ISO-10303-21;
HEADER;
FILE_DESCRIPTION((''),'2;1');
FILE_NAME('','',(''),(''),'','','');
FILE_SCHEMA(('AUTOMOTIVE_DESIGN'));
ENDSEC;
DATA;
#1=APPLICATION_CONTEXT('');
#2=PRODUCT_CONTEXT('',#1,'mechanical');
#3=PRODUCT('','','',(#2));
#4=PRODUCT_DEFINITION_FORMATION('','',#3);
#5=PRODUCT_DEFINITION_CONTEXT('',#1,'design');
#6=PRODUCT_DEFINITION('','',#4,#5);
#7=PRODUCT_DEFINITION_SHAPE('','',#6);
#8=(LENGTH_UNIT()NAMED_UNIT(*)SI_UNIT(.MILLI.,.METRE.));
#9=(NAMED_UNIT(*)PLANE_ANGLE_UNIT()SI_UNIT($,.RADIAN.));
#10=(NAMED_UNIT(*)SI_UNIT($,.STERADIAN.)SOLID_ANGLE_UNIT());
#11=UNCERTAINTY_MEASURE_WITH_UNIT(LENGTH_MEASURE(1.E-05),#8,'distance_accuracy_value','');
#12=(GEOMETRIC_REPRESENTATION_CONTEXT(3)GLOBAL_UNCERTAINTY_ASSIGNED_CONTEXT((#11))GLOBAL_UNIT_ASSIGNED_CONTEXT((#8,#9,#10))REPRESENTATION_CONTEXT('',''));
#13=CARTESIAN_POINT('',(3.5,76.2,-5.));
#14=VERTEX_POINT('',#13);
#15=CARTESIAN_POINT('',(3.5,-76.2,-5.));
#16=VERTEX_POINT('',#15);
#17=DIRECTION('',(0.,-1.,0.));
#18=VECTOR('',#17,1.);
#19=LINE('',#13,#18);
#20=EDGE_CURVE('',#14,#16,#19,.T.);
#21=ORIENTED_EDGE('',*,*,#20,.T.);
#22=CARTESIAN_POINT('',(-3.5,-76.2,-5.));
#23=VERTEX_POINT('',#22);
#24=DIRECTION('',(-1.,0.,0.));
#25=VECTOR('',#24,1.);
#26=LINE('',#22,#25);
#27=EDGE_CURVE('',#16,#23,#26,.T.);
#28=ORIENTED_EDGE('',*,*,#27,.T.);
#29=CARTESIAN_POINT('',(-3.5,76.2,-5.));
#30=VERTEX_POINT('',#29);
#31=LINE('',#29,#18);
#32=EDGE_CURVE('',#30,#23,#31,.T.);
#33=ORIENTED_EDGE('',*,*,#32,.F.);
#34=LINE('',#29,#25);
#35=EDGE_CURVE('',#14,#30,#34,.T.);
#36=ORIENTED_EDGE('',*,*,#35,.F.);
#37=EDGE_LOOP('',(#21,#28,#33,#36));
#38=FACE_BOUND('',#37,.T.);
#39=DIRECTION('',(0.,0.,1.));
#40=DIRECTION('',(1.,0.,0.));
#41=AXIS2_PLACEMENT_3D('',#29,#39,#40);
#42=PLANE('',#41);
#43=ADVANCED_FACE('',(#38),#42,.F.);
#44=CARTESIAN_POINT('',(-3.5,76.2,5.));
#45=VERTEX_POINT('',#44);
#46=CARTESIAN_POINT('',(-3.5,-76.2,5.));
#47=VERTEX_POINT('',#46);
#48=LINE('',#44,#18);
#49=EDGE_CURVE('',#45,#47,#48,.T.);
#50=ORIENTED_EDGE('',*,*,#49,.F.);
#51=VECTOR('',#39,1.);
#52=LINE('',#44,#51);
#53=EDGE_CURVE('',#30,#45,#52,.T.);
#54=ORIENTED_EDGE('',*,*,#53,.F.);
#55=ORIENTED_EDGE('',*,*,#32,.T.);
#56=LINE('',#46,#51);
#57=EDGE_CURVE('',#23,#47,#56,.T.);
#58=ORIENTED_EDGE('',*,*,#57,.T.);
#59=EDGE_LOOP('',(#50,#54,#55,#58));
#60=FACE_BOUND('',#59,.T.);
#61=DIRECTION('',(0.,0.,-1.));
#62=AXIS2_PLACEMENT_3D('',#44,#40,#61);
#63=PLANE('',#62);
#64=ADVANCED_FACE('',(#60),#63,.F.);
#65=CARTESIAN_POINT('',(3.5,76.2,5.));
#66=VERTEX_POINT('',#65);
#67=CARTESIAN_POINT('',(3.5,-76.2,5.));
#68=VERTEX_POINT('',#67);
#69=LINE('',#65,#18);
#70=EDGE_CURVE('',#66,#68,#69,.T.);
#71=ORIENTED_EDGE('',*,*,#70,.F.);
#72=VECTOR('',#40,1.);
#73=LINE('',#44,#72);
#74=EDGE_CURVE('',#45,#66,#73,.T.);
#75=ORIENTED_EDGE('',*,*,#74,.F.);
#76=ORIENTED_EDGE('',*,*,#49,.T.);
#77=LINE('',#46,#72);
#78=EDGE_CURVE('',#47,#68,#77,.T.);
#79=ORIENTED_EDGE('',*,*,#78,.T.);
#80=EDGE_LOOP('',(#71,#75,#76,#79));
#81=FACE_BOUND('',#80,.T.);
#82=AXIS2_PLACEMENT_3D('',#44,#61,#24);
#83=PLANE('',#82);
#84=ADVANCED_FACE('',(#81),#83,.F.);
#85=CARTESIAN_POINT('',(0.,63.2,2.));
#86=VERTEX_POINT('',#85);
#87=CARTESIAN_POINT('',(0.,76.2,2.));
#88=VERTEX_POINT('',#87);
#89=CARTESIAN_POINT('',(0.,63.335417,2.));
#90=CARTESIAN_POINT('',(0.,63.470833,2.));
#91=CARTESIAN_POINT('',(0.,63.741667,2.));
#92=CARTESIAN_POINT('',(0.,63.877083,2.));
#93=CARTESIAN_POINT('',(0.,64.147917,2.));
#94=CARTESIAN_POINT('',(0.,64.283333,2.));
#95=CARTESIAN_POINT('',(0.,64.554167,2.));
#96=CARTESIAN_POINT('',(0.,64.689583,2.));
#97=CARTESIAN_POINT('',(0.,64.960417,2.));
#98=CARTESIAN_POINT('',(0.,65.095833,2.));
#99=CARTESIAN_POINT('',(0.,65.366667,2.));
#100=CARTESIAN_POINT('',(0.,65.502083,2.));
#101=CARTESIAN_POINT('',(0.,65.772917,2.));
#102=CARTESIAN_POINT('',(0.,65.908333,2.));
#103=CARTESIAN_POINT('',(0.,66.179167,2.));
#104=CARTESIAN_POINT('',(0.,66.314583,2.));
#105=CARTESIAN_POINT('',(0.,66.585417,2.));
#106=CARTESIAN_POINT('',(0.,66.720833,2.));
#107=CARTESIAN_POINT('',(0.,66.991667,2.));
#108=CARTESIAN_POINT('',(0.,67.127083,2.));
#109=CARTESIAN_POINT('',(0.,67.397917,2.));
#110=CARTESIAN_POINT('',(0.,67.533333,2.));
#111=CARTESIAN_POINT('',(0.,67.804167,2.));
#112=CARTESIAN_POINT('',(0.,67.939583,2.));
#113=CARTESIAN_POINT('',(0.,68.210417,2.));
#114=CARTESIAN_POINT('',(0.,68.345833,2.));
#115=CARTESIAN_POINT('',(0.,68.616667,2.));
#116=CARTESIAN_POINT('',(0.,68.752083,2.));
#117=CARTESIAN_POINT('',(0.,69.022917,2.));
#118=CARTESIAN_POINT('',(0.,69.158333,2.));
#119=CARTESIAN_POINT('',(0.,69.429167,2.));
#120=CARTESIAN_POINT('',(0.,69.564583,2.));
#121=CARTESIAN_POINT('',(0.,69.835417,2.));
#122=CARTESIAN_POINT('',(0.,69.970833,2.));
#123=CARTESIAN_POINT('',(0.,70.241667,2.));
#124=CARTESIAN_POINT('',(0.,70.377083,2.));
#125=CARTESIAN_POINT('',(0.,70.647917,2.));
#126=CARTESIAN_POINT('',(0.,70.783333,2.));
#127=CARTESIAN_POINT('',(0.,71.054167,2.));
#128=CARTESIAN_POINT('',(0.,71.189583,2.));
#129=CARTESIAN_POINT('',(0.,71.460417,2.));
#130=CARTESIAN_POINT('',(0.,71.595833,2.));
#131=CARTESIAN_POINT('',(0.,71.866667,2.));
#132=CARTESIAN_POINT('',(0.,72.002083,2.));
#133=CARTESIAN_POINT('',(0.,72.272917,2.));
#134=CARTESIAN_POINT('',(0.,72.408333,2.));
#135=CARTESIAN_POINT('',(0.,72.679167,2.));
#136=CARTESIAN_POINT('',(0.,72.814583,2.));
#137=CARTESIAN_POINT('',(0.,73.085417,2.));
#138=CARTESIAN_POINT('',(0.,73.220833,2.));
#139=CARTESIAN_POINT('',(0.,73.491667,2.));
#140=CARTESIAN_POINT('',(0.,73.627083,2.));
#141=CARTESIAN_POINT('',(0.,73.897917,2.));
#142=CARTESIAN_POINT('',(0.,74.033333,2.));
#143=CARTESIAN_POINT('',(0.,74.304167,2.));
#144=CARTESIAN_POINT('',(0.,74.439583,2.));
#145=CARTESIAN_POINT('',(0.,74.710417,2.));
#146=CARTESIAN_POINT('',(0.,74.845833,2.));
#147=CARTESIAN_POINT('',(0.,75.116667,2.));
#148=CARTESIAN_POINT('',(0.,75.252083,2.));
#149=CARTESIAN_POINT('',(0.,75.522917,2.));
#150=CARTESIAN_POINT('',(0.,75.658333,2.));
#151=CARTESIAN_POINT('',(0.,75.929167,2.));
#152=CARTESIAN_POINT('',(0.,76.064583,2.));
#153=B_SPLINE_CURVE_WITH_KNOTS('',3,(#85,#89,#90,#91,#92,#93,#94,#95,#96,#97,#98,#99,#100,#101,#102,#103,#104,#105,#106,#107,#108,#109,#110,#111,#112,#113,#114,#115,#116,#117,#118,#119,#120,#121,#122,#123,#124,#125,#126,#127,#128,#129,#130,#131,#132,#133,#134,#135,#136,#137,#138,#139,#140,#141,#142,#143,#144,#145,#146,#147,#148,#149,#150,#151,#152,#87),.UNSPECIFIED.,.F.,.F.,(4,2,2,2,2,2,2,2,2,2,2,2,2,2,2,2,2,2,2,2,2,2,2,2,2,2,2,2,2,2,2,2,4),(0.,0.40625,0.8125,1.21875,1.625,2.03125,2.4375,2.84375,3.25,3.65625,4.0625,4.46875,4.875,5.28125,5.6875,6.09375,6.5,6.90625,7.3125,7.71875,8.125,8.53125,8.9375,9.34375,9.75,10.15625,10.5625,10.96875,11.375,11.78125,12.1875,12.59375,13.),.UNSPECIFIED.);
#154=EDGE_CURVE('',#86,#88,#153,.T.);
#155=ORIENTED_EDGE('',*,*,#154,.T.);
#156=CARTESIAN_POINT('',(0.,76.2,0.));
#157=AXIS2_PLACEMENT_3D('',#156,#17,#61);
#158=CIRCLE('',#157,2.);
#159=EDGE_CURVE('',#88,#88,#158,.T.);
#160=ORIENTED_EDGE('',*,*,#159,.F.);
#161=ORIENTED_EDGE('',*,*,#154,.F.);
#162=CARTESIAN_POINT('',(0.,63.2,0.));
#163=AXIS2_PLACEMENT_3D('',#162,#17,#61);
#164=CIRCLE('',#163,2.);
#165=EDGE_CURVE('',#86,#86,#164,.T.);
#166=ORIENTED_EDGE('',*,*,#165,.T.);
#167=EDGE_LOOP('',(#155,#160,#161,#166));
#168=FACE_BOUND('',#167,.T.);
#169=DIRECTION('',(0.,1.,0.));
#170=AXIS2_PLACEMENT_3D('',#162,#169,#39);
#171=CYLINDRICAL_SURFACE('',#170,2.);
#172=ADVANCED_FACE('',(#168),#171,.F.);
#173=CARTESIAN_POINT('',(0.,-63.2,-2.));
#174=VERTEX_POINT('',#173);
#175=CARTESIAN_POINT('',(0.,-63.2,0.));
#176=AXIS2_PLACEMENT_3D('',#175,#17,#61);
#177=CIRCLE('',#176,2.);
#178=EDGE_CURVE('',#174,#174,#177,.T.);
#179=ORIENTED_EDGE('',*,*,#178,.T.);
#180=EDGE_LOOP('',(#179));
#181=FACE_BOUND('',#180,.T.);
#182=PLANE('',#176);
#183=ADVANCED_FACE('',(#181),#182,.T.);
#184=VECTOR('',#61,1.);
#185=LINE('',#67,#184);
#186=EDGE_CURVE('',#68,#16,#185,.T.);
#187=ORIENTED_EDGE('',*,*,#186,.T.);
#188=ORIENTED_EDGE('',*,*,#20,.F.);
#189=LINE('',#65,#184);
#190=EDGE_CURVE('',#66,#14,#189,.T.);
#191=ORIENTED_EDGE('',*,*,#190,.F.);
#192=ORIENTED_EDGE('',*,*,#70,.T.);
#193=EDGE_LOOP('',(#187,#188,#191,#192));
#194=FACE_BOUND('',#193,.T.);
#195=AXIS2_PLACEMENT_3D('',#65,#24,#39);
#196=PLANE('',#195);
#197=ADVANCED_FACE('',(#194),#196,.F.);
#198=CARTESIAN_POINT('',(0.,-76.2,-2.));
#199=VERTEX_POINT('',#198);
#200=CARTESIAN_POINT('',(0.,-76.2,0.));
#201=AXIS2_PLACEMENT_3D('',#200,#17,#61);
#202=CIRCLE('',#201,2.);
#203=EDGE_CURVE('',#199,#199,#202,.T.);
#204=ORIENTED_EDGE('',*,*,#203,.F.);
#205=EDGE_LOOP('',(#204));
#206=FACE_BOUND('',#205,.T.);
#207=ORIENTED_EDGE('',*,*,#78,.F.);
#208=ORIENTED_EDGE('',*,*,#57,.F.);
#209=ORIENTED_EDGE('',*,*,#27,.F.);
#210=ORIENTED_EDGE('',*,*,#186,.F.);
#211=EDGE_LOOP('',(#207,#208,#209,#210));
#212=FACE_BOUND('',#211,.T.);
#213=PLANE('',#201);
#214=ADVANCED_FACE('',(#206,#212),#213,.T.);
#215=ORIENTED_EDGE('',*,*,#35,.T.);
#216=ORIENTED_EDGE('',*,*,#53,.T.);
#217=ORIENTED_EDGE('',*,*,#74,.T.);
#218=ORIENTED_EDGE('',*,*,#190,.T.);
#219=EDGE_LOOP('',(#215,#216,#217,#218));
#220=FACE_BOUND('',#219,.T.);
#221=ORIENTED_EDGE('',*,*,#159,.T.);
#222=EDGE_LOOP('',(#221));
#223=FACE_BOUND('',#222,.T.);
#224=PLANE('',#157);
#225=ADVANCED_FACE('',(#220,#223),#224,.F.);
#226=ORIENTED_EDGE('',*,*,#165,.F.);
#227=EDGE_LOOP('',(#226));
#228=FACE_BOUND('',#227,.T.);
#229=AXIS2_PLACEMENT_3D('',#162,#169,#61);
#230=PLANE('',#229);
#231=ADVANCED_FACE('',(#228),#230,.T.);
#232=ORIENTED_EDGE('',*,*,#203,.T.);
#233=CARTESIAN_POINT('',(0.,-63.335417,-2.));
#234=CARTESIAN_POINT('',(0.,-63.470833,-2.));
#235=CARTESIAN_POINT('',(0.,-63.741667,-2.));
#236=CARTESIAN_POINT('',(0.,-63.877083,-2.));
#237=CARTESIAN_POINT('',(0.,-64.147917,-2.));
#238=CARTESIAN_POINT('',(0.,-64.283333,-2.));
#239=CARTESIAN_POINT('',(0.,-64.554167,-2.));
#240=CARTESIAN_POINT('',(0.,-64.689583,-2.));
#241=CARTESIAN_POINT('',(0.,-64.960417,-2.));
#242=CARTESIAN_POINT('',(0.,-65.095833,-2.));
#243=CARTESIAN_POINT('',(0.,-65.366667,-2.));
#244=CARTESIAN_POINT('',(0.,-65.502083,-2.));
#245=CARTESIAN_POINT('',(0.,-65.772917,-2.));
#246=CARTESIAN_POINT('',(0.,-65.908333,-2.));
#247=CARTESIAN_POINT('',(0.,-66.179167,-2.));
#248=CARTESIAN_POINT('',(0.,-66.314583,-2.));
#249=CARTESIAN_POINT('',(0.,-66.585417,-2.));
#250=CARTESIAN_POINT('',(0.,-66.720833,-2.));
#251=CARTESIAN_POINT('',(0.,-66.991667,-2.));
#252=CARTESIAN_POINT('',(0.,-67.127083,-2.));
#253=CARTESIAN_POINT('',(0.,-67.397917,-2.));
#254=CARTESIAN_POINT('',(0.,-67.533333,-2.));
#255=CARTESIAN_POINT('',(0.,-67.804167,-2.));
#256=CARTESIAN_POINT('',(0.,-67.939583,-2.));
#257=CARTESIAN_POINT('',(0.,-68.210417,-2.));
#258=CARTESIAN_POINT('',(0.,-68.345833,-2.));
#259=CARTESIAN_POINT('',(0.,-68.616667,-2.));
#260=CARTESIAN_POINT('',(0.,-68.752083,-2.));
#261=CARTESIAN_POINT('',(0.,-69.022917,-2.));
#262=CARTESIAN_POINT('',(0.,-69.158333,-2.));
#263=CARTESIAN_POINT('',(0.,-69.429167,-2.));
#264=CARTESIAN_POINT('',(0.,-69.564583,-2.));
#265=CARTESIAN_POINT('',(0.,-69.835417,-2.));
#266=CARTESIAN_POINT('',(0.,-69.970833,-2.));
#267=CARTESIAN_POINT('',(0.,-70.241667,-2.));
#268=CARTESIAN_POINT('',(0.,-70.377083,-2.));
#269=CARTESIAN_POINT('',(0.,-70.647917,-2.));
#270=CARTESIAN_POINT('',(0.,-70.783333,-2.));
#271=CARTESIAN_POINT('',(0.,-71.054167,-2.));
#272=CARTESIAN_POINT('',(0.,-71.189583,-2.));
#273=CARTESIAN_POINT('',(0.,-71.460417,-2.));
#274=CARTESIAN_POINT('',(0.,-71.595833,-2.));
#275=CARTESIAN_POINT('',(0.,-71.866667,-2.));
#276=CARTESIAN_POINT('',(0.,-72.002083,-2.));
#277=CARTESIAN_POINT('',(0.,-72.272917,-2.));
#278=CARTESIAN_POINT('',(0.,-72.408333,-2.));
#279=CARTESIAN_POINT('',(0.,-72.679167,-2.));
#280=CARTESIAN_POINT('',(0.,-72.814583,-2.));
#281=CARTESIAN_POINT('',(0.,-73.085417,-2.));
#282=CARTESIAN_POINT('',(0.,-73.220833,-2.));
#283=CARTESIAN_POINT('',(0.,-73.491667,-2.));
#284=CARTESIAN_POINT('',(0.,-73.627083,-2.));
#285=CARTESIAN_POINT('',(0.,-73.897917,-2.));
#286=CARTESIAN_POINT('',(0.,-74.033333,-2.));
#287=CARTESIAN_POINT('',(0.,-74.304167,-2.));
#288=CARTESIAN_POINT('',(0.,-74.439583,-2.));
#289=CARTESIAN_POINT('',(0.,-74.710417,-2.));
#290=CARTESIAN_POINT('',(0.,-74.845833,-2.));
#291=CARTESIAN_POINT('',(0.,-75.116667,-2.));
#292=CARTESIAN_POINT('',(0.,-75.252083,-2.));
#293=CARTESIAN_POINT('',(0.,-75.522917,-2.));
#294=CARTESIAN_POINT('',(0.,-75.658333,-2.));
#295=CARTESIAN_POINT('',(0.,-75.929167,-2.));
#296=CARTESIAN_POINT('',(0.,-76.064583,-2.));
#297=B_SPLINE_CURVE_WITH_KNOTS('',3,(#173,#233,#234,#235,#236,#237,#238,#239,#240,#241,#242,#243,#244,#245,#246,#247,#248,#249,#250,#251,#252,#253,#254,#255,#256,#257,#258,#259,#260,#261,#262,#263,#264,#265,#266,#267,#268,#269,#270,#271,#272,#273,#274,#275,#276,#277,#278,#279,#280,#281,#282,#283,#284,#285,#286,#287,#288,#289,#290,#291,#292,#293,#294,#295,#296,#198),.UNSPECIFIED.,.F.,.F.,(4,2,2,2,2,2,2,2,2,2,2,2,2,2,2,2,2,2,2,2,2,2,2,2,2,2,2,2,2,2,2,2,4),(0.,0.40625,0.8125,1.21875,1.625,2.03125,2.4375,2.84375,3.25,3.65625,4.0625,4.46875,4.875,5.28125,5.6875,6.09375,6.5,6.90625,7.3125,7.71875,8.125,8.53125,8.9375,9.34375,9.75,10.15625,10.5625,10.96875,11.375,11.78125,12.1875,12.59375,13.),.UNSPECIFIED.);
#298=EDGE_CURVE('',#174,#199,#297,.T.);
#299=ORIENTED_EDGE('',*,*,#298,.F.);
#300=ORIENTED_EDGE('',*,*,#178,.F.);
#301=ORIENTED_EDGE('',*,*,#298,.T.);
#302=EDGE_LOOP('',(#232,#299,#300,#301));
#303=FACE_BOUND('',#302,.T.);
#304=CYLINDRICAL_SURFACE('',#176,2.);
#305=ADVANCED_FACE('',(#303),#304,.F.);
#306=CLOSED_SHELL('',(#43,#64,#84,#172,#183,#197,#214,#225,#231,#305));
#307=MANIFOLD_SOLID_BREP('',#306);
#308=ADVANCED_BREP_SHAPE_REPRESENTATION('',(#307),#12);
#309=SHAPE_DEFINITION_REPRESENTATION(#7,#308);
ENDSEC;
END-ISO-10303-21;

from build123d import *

# Parameters (mm, degrees)
SKETCH1_W           = 7
SKETCH1_H           = 10
BOSS_EXTRUDE1_DEPTH = 76.2
SKETCH6_R           = 2
CUT_EXTRUDE3_DEPTH  = 13


with BuildPart() as part:
    # Sketch1 → Boss-Extrude1 (new, symmetric)
    with BuildSketch(Plane(origin=(0, 0, 0), x_dir=(1, 0, 0), z_dir=(0, 1, 0))):
        Rectangle(SKETCH1_W, SKETCH1_H)
    extrude(amount=BOSS_EXTRUDE1_DEPTH, both=True)

    # Sketch6 → Cut-Extrude3 (cut)
    with BuildSketch(Plane.XZ.offset(76.2)):
        with Locations(Location((0, 0, 0), (0, 0, 270))):
            Circle(SKETCH6_R)
    cut_extrude3 = extrude(amount=-CUT_EXTRUDE3_DEPTH, mode=Mode.SUBTRACT)

    # Mirror1: Cut-Extrude3 across plane
    add(cut_extrude3.mirror(Plane.ZX), mode=Mode.SUBTRACT)


solid = part.part
